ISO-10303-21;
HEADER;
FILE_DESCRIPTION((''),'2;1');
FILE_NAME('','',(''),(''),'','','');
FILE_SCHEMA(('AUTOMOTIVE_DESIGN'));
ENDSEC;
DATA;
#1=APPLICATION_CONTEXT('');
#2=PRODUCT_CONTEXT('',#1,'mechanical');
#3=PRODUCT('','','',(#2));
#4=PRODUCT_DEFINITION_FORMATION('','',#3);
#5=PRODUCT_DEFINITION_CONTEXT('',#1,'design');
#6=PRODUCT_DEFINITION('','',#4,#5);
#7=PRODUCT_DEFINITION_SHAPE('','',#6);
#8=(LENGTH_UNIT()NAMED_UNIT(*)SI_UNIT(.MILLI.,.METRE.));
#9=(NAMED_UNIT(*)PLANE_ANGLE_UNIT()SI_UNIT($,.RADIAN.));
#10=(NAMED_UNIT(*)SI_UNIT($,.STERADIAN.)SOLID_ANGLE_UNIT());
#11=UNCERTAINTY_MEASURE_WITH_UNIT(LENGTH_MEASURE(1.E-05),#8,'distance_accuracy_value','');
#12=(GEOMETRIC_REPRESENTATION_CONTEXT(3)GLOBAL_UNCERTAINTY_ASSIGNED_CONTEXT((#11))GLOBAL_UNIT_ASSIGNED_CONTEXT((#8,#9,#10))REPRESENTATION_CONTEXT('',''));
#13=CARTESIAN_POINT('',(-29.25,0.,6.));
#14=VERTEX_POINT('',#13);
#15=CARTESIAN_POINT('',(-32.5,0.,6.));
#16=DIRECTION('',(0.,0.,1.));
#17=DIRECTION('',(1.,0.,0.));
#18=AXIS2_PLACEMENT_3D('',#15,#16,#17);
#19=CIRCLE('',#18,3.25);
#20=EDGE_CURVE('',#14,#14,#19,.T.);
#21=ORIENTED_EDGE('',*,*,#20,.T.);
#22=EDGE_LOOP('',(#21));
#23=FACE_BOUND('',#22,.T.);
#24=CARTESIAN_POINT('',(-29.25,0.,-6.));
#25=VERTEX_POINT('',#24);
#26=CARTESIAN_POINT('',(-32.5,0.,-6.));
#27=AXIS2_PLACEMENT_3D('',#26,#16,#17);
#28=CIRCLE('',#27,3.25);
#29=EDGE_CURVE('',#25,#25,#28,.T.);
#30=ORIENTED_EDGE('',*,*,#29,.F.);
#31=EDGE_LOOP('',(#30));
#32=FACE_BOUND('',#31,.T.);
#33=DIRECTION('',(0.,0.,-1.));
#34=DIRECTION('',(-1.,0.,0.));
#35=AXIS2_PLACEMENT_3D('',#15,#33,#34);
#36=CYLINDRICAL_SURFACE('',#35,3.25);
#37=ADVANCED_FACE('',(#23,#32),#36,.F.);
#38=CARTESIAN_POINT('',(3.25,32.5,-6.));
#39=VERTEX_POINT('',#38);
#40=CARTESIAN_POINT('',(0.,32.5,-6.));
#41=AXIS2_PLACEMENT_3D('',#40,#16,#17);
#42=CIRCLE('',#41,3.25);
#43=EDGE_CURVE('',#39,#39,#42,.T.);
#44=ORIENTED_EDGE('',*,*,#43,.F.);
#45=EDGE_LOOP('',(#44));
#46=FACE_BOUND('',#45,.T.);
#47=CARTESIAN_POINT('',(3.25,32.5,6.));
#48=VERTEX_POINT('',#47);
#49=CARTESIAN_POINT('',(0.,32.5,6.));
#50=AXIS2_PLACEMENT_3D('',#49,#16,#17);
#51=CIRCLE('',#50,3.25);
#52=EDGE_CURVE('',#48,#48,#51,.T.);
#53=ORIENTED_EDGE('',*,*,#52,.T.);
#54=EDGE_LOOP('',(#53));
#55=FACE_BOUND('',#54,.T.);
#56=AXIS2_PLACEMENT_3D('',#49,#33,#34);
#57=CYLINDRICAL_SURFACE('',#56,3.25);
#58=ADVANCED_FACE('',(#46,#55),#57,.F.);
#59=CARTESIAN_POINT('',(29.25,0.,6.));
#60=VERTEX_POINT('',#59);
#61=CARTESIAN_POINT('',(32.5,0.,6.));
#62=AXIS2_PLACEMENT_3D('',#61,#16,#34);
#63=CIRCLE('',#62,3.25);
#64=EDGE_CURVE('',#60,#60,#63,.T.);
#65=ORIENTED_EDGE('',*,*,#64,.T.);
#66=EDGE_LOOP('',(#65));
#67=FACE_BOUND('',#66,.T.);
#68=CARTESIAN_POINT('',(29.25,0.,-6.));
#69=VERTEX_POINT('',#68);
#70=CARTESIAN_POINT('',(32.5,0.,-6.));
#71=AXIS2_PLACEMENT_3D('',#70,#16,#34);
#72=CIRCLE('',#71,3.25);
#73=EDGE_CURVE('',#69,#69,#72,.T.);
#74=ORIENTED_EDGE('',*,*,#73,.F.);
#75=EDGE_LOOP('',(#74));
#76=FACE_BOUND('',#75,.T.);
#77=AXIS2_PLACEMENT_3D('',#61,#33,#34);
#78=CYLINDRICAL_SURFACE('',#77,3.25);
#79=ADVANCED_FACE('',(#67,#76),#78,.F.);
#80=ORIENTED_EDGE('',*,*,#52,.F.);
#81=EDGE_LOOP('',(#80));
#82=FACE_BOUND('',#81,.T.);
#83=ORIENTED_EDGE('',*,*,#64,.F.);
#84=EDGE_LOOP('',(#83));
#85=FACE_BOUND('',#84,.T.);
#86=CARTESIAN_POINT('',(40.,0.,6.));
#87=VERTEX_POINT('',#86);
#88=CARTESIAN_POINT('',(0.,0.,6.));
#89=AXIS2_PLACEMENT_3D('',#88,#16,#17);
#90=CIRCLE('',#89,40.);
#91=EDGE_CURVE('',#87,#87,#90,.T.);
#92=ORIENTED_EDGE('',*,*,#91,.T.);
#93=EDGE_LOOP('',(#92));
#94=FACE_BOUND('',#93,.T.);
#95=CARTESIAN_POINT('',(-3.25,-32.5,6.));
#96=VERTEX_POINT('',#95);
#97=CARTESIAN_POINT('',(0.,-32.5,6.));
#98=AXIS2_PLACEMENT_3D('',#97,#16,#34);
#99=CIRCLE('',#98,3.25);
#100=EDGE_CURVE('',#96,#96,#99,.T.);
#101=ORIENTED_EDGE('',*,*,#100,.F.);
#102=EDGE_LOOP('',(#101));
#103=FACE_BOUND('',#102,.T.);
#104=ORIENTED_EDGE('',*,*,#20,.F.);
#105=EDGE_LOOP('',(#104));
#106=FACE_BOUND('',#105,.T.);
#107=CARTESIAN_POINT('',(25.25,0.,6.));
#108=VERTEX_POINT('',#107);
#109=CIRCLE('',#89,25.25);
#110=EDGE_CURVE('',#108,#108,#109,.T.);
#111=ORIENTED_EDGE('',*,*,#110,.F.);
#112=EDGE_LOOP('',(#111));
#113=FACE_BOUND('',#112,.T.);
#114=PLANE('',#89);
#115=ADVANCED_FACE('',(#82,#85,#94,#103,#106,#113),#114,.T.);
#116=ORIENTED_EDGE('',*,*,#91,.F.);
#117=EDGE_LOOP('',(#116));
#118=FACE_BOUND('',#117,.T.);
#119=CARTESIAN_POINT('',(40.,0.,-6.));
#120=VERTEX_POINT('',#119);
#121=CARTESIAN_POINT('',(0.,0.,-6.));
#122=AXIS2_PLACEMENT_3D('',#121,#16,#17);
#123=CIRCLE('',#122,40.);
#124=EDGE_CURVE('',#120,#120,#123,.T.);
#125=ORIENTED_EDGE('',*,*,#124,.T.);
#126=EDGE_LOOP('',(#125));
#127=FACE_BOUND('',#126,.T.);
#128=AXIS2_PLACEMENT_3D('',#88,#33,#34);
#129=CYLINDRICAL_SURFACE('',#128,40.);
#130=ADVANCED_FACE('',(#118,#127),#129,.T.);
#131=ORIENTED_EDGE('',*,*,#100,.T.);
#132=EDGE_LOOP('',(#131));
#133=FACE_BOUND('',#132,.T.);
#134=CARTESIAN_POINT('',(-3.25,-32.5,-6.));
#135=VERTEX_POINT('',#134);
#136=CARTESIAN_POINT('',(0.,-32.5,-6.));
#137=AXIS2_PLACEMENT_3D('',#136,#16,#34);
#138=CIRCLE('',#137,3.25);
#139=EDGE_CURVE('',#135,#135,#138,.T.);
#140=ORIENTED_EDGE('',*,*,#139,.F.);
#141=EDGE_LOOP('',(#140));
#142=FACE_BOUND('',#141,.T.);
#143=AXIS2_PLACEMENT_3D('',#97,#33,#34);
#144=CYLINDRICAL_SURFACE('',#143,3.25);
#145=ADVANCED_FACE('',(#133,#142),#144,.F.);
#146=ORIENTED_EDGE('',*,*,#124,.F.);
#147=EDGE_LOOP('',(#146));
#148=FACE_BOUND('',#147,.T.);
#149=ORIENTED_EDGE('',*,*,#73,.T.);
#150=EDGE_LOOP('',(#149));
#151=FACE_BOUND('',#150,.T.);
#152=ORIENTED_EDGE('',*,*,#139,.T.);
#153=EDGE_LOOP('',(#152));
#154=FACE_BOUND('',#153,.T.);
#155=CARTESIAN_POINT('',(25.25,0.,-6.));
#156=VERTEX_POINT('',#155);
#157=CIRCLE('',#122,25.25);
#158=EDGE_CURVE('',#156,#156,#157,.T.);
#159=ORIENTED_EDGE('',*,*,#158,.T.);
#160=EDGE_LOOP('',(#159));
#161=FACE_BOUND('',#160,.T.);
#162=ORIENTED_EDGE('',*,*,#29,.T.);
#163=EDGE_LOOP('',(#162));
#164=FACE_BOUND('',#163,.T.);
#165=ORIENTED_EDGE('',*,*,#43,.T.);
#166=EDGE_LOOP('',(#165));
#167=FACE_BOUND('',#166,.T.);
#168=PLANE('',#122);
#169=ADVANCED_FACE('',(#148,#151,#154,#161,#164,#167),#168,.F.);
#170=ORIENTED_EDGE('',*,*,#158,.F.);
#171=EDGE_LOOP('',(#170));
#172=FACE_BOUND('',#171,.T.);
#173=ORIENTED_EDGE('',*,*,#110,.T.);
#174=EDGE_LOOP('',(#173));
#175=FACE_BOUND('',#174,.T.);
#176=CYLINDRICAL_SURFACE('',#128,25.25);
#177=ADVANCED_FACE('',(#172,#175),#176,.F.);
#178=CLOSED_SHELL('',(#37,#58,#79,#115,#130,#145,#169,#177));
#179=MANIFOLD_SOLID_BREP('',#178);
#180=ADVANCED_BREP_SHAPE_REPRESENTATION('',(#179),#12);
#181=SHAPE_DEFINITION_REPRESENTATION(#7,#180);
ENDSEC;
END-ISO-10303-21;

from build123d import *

# Parameters (mm, degrees)
SKETCH1_R           = 40
SKETCH1_R_2         = 25.25
SKETCH1_R_3         = 3.25
BOSS_EXTRUDE1_DEPTH = 6


with BuildPart() as part:
    # Sketch1 → Boss-Extrude1 (new body, symmetric)
    with BuildSketch(Plane.XY):
        Circle(SKETCH1_R)
        Circle(SKETCH1_R_2, mode=Mode.SUBTRACT)
        with Locations((-32.5, 0)):
            Circle(SKETCH1_R_3, mode=Mode.SUBTRACT)
        with Locations((0, 32.5)):
            Circle(SKETCH1_R_3, mode=Mode.SUBTRACT)
        with Locations((0, -32.5)):
            Circle(SKETCH1_R_3, mode=Mode.SUBTRACT)
        with Locations((32.5, 0)):
            Circle(SKETCH1_R_3, mode=Mode.SUBTRACT)
    extrude(amount=BOSS_EXTRUDE1_DEPTH, both=True)


solid = part.part
